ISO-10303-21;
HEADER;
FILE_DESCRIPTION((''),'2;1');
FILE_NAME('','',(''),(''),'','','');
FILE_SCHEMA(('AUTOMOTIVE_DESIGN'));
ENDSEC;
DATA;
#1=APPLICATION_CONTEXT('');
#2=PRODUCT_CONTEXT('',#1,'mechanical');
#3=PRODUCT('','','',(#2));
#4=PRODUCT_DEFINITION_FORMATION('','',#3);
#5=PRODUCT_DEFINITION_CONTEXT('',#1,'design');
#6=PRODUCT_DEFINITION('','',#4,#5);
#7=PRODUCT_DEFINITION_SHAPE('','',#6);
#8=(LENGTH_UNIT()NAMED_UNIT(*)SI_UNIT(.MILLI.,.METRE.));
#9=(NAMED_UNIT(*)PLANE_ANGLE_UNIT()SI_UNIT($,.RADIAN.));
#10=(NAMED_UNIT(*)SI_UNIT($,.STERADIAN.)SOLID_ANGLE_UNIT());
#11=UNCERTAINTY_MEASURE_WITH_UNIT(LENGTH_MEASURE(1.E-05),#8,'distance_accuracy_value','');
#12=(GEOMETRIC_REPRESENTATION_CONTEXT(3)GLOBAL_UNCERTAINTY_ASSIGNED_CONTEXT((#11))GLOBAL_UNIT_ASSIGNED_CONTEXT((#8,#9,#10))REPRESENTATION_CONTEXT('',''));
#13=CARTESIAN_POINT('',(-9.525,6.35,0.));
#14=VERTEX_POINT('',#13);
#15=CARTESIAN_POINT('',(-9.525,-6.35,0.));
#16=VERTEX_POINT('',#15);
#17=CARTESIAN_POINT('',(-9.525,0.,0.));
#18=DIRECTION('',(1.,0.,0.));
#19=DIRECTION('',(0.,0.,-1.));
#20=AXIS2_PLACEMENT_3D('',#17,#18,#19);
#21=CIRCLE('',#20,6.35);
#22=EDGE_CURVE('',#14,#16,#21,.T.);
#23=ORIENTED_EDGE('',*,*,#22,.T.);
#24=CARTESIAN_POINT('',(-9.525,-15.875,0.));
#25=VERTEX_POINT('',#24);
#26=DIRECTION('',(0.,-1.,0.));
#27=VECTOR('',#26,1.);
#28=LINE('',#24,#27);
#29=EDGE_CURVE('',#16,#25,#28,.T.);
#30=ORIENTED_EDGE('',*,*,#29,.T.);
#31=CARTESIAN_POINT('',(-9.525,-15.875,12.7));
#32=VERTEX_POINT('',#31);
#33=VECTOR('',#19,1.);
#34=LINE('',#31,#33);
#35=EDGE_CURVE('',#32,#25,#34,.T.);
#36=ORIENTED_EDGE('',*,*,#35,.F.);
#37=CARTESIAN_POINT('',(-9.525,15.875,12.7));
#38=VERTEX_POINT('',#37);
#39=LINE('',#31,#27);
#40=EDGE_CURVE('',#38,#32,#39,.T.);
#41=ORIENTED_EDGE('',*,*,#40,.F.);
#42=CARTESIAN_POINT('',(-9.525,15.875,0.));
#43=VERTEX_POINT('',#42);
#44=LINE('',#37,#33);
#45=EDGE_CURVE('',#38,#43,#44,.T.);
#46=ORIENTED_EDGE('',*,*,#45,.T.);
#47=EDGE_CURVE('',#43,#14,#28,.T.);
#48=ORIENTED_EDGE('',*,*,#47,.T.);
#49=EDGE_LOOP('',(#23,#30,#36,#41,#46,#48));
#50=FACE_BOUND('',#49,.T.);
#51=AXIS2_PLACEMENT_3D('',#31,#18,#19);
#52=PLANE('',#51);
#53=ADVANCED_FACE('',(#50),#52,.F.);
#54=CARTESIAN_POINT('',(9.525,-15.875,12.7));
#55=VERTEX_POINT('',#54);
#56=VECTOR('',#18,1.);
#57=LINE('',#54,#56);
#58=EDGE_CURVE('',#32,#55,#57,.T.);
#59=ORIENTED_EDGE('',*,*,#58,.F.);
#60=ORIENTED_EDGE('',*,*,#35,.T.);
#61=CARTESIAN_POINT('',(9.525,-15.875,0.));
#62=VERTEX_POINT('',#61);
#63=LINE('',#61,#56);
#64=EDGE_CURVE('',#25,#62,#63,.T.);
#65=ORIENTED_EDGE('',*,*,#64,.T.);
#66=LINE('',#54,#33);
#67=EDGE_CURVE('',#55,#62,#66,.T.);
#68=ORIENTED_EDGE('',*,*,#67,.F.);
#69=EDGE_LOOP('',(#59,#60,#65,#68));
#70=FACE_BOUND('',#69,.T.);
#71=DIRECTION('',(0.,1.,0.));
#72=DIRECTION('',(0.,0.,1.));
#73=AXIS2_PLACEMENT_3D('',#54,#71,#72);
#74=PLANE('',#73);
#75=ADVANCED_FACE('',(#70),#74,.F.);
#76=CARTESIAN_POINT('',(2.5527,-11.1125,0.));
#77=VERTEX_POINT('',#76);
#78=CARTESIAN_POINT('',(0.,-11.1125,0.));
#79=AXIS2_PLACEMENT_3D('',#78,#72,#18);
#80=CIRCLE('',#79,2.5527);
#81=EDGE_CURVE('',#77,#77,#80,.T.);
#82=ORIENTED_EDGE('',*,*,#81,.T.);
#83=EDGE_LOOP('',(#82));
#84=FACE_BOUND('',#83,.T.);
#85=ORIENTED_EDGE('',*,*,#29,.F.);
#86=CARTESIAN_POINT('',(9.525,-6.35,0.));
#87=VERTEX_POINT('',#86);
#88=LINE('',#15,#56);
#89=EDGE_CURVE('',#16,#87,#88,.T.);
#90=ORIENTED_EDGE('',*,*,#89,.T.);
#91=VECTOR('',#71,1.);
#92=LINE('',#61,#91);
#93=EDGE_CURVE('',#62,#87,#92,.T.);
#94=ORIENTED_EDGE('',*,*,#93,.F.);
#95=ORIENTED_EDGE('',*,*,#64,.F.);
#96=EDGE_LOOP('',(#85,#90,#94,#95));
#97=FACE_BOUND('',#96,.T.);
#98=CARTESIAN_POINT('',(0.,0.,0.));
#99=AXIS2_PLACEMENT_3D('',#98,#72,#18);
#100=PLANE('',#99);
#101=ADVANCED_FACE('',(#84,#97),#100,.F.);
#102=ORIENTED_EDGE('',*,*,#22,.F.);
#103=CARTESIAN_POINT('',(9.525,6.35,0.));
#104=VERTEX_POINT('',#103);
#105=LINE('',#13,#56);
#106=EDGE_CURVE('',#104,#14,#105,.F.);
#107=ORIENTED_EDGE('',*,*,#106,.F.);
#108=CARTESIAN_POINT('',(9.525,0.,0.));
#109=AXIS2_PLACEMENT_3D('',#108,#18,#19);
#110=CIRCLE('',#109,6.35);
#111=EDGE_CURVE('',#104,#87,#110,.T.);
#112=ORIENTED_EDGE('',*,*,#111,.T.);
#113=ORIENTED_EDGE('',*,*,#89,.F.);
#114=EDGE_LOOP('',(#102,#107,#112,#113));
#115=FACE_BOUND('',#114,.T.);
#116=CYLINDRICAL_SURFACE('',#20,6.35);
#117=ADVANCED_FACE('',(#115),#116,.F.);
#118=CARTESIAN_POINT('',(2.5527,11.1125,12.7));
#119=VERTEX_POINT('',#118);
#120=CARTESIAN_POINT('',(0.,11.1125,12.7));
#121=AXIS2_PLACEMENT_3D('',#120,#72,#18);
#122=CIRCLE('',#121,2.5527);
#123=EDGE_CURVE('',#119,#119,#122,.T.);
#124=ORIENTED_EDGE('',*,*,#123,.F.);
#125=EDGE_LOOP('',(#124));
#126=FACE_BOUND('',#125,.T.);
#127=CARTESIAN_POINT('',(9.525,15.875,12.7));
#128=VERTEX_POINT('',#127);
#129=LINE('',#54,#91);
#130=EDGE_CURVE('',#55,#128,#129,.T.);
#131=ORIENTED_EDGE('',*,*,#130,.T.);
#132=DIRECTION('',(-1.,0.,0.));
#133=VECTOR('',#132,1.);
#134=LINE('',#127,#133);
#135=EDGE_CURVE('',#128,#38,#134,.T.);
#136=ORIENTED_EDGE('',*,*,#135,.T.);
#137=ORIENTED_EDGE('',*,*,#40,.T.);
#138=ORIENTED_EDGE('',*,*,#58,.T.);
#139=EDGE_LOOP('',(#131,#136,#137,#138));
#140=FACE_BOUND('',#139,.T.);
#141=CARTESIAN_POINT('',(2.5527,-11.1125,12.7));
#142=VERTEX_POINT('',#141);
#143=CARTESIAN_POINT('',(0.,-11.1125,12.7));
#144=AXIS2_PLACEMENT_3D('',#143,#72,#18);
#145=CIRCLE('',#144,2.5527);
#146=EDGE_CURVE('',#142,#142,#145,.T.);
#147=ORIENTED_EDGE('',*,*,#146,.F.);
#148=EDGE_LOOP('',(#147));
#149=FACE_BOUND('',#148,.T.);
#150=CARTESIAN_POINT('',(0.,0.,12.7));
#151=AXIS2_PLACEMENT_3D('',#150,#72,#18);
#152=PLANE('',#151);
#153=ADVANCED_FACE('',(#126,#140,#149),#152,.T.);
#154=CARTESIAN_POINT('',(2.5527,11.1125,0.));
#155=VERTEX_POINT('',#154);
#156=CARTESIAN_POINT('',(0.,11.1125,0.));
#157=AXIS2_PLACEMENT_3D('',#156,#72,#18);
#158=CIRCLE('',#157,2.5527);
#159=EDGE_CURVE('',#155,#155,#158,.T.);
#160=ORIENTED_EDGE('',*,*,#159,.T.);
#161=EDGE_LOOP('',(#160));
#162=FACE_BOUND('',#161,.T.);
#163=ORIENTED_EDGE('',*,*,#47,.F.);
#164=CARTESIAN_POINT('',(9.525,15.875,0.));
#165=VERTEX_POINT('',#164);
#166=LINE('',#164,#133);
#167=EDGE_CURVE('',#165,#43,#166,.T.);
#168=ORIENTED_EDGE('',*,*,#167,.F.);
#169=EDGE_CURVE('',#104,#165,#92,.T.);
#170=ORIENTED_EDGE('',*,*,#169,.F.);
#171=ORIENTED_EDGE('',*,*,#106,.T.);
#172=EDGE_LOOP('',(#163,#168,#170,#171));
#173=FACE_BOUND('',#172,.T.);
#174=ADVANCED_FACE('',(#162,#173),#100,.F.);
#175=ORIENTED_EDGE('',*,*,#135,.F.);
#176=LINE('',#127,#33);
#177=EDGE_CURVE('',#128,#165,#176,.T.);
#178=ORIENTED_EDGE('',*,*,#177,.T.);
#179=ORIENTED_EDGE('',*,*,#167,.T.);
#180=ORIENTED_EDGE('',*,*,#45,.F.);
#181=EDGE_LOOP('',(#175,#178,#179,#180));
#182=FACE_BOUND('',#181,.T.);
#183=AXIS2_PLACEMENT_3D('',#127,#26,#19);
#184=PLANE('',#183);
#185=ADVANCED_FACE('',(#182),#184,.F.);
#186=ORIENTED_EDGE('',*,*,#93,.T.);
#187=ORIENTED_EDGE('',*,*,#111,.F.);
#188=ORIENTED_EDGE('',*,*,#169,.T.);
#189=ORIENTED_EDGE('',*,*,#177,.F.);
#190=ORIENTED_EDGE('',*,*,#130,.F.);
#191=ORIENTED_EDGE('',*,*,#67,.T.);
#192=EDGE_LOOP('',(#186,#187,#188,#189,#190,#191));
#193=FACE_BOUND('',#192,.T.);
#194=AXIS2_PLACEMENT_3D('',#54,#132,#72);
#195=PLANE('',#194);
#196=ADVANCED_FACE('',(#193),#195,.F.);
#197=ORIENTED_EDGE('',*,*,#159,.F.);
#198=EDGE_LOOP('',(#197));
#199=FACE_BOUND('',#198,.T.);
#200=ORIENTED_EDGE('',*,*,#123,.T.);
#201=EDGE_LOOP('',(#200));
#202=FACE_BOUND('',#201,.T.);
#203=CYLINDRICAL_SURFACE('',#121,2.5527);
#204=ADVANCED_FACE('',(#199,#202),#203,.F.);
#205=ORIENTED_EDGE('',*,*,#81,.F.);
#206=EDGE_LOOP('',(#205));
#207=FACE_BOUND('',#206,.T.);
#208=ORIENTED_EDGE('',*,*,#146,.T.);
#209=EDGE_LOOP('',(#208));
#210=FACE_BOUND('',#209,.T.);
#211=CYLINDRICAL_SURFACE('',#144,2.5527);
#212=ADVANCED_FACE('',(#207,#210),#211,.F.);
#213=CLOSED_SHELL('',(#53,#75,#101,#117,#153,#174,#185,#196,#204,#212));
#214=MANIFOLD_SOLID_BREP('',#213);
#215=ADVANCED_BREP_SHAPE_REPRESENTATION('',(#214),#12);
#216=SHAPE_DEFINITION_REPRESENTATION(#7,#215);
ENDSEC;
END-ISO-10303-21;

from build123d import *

# Parameters (mm, degrees)
SKETCH1_W               = 19.05
SKETCH1_H               = 31.75
BOSS_EXTRUDE1_DEPTH     = 12.7
SKETCH2_R               = 6.35
CUT_EXTRUDE1_DEPTH      = 28.86051193
F_1_4_20_TAPPED_HOLE1_D = 5.1054


with BuildPart() as part:
    # Sketch1 → Boss-Extrude1 (new body)
    with BuildSketch(Plane.XY):
        Rectangle(SKETCH1_W, SKETCH1_H)
    extrude(amount=BOSS_EXTRUDE1_DEPTH)

    # Sketch2 → Cut-Extrude1 (cut, through all)
    with BuildSketch(Plane(origin=(9.525, 0, 0), x_dir=(0, 0, -1), z_dir=(1, 0, 0))):
        Circle(SKETCH2_R)
    extrude(amount=-CUT_EXTRUDE1_DEPTH, mode=Mode.SUBTRACT)

    # 1/4-20 Tapped Hole1 (through all)
    with Locations(Plane.XY.offset(12.7)):
        with Locations((0, 11.1125), (0, -11.1125)):
            Hole(F_1_4_20_TAPPED_HOLE1_D / 2)


solid = part.part
